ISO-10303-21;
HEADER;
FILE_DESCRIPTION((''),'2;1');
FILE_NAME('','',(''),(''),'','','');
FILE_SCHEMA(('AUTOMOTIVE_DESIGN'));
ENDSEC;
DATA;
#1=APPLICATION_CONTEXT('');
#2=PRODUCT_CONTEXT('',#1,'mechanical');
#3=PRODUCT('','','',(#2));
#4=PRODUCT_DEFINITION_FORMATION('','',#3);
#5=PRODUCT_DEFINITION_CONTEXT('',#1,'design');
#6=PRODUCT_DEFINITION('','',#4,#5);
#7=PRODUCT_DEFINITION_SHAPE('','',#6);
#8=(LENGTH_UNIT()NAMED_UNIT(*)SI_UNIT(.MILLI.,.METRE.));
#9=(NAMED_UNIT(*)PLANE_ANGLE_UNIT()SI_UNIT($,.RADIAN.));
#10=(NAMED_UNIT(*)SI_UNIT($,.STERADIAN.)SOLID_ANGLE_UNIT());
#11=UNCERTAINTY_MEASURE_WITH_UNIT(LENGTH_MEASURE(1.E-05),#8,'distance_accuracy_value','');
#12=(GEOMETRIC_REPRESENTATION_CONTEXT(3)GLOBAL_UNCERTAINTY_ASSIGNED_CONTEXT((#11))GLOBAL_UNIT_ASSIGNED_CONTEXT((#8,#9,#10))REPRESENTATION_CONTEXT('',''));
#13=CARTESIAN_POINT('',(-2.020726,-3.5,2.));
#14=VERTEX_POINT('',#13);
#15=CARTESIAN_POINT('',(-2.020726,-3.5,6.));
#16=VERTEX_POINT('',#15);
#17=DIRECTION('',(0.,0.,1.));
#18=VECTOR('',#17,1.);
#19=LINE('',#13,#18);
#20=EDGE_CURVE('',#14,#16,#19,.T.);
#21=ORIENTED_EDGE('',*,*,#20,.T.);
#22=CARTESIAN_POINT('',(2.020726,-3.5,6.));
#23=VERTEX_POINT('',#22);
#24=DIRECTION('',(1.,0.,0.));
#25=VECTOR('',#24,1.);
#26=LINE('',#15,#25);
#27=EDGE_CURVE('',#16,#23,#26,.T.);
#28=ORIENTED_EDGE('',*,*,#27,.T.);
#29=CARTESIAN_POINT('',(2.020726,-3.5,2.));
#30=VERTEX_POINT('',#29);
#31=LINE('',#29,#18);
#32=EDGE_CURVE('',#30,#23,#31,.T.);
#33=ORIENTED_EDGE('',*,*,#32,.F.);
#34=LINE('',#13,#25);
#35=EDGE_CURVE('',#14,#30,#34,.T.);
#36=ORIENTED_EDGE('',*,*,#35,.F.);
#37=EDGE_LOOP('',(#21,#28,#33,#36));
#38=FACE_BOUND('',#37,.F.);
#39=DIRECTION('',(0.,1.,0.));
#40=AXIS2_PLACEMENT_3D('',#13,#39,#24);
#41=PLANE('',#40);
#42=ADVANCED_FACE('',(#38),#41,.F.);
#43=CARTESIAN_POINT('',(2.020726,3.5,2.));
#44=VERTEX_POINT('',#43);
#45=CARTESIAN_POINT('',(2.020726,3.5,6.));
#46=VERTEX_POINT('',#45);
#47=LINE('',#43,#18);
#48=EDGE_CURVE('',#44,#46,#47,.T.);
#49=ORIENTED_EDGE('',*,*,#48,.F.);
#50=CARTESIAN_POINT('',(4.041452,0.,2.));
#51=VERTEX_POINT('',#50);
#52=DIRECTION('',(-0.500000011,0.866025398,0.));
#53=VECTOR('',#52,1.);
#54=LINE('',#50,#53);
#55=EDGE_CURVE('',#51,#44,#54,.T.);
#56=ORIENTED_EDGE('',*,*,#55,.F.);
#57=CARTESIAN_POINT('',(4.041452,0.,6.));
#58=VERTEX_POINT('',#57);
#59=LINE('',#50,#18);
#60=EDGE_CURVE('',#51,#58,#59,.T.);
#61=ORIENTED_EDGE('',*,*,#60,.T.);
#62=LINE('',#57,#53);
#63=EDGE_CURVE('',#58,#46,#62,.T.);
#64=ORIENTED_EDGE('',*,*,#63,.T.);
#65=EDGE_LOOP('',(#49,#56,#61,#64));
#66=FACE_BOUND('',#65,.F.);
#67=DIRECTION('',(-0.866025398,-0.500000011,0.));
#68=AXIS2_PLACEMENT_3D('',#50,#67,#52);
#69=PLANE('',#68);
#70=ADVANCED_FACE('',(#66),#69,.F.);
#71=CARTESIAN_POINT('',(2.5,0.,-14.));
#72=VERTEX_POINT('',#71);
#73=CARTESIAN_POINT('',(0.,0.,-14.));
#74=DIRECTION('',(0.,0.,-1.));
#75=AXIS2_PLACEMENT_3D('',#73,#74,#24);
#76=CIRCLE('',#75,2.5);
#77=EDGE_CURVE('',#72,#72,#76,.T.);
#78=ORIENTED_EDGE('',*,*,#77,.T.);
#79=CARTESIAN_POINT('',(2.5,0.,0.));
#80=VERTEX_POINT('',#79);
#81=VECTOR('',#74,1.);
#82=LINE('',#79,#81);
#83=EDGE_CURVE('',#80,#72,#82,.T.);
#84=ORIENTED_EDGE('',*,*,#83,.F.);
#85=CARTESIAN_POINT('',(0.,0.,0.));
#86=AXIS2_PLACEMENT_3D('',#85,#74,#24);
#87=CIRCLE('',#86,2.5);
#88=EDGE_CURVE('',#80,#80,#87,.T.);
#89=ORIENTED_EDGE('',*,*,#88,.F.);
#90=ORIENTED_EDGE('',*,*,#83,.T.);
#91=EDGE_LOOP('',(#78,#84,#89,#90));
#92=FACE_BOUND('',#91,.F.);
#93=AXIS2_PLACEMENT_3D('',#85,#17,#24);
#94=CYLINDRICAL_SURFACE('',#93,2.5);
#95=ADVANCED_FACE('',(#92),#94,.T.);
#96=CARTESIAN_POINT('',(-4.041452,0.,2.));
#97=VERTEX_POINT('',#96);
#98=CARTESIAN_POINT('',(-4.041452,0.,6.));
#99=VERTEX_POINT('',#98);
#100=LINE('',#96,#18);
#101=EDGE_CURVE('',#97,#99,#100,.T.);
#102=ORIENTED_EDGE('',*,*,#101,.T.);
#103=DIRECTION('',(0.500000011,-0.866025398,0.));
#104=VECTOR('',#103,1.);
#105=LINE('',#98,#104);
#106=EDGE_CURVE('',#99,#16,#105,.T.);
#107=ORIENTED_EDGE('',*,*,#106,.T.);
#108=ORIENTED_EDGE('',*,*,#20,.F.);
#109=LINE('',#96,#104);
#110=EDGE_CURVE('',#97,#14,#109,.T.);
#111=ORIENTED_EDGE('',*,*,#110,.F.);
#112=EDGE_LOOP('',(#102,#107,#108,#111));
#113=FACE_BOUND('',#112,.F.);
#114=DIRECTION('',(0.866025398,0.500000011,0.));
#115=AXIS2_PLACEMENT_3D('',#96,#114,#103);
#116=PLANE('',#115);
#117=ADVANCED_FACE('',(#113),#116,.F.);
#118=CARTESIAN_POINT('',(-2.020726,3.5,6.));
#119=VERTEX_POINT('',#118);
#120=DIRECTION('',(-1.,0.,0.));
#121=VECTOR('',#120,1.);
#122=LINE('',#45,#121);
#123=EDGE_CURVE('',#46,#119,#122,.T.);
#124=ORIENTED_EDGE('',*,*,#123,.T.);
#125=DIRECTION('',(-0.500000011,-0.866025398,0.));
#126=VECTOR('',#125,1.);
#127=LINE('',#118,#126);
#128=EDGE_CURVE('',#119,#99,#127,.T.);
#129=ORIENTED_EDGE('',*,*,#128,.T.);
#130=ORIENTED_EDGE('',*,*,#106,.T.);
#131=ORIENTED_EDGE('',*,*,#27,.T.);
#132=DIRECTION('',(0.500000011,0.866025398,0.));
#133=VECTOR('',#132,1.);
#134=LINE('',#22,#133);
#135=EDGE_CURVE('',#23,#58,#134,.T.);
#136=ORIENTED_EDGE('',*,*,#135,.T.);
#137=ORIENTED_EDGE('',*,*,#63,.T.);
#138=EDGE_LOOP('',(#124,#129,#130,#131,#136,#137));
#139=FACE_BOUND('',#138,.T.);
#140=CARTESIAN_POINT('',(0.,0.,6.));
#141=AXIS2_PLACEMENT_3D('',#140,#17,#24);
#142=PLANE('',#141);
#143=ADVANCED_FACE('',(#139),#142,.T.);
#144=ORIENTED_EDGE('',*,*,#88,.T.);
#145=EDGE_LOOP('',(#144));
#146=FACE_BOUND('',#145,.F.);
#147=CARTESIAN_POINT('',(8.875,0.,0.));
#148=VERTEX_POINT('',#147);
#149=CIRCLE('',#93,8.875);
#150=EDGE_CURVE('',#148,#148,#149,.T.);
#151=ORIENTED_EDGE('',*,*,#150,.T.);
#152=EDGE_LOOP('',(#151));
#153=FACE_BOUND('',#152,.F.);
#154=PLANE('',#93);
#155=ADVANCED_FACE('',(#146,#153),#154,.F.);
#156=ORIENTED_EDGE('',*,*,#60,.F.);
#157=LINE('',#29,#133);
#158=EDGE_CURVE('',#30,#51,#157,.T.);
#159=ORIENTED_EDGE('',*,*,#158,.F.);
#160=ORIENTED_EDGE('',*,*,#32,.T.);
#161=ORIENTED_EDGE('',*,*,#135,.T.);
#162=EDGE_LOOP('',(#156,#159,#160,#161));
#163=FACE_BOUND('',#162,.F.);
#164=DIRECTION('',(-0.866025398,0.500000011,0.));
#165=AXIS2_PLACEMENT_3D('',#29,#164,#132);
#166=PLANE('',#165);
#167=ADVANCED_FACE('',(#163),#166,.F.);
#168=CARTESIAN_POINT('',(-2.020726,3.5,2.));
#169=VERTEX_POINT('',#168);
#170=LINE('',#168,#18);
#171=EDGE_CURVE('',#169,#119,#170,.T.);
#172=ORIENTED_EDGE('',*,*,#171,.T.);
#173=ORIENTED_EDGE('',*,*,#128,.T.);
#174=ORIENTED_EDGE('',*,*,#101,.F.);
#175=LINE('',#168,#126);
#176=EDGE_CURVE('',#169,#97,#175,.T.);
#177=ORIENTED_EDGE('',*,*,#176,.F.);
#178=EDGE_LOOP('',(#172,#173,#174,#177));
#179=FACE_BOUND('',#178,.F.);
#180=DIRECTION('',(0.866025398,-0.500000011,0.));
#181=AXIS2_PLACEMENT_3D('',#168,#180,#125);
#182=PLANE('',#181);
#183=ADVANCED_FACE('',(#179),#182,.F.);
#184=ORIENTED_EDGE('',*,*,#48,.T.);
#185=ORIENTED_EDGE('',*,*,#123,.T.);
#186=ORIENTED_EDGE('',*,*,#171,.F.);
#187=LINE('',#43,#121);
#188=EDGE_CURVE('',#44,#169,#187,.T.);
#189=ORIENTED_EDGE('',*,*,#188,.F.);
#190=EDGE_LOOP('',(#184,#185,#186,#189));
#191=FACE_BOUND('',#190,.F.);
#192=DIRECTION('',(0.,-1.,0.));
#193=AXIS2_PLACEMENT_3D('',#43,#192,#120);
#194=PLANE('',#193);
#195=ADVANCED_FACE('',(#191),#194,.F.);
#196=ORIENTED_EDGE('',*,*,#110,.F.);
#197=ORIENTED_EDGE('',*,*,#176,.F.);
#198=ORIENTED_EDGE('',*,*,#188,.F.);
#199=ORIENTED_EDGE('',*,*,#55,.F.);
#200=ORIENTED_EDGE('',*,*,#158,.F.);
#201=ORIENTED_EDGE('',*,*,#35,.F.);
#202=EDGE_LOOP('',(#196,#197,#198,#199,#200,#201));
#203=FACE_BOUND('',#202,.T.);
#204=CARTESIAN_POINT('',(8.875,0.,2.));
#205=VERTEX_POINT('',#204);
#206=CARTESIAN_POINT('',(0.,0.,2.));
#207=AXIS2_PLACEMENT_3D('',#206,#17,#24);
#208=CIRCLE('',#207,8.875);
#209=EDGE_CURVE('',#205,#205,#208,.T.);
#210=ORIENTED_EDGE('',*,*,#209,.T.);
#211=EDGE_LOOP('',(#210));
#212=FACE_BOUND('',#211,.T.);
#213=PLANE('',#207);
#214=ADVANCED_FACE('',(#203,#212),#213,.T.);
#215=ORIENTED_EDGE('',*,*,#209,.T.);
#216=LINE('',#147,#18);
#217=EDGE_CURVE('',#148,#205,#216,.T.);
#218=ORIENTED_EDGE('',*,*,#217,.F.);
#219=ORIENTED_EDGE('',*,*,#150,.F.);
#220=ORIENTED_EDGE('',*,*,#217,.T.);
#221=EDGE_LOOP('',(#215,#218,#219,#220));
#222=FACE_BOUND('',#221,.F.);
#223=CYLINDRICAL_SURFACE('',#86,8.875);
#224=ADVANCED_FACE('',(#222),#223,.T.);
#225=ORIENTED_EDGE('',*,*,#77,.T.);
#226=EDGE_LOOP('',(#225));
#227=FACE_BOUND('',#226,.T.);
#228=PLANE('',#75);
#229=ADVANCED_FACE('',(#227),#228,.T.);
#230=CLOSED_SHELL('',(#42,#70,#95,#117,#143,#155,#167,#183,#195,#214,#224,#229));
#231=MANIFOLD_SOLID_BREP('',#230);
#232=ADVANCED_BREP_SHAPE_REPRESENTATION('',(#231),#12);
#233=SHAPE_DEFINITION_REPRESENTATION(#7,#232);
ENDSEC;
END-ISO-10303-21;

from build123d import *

# Parameters (mm, degrees)
F0_R     = 8.875
F1_DEPTH = 2
F2_R     = 2.5
F3_DEPTH = 14
F5_DEPTH = 4


with BuildPart() as f1:
    # F0 (on Top) → F1 (new body)
    with BuildSketch(Plane.XY):
        Circle(F0_R)
    extrude(amount=F1_DEPTH)

    # F2 (on face) → F3 (join)
    with BuildSketch(Plane(origin=(0, 0, 0), x_dir=(1, 0, 0), z_dir=(0, 0, -1))):
        Circle(F2_R)
    extrude(amount=F3_DEPTH)

    # F4 (on face) → F5 (join)
    with BuildSketch(Plane.XY.offset(2)):
        Polygon((-4.041452, 0), (-2.020726, -3.5), (2.020726, -3.5), (4.041452, 0), (2.020726, 3.5), (-2.020726, 3.5), align=None)
    extrude(amount=F5_DEPTH)


solid = f1.part
